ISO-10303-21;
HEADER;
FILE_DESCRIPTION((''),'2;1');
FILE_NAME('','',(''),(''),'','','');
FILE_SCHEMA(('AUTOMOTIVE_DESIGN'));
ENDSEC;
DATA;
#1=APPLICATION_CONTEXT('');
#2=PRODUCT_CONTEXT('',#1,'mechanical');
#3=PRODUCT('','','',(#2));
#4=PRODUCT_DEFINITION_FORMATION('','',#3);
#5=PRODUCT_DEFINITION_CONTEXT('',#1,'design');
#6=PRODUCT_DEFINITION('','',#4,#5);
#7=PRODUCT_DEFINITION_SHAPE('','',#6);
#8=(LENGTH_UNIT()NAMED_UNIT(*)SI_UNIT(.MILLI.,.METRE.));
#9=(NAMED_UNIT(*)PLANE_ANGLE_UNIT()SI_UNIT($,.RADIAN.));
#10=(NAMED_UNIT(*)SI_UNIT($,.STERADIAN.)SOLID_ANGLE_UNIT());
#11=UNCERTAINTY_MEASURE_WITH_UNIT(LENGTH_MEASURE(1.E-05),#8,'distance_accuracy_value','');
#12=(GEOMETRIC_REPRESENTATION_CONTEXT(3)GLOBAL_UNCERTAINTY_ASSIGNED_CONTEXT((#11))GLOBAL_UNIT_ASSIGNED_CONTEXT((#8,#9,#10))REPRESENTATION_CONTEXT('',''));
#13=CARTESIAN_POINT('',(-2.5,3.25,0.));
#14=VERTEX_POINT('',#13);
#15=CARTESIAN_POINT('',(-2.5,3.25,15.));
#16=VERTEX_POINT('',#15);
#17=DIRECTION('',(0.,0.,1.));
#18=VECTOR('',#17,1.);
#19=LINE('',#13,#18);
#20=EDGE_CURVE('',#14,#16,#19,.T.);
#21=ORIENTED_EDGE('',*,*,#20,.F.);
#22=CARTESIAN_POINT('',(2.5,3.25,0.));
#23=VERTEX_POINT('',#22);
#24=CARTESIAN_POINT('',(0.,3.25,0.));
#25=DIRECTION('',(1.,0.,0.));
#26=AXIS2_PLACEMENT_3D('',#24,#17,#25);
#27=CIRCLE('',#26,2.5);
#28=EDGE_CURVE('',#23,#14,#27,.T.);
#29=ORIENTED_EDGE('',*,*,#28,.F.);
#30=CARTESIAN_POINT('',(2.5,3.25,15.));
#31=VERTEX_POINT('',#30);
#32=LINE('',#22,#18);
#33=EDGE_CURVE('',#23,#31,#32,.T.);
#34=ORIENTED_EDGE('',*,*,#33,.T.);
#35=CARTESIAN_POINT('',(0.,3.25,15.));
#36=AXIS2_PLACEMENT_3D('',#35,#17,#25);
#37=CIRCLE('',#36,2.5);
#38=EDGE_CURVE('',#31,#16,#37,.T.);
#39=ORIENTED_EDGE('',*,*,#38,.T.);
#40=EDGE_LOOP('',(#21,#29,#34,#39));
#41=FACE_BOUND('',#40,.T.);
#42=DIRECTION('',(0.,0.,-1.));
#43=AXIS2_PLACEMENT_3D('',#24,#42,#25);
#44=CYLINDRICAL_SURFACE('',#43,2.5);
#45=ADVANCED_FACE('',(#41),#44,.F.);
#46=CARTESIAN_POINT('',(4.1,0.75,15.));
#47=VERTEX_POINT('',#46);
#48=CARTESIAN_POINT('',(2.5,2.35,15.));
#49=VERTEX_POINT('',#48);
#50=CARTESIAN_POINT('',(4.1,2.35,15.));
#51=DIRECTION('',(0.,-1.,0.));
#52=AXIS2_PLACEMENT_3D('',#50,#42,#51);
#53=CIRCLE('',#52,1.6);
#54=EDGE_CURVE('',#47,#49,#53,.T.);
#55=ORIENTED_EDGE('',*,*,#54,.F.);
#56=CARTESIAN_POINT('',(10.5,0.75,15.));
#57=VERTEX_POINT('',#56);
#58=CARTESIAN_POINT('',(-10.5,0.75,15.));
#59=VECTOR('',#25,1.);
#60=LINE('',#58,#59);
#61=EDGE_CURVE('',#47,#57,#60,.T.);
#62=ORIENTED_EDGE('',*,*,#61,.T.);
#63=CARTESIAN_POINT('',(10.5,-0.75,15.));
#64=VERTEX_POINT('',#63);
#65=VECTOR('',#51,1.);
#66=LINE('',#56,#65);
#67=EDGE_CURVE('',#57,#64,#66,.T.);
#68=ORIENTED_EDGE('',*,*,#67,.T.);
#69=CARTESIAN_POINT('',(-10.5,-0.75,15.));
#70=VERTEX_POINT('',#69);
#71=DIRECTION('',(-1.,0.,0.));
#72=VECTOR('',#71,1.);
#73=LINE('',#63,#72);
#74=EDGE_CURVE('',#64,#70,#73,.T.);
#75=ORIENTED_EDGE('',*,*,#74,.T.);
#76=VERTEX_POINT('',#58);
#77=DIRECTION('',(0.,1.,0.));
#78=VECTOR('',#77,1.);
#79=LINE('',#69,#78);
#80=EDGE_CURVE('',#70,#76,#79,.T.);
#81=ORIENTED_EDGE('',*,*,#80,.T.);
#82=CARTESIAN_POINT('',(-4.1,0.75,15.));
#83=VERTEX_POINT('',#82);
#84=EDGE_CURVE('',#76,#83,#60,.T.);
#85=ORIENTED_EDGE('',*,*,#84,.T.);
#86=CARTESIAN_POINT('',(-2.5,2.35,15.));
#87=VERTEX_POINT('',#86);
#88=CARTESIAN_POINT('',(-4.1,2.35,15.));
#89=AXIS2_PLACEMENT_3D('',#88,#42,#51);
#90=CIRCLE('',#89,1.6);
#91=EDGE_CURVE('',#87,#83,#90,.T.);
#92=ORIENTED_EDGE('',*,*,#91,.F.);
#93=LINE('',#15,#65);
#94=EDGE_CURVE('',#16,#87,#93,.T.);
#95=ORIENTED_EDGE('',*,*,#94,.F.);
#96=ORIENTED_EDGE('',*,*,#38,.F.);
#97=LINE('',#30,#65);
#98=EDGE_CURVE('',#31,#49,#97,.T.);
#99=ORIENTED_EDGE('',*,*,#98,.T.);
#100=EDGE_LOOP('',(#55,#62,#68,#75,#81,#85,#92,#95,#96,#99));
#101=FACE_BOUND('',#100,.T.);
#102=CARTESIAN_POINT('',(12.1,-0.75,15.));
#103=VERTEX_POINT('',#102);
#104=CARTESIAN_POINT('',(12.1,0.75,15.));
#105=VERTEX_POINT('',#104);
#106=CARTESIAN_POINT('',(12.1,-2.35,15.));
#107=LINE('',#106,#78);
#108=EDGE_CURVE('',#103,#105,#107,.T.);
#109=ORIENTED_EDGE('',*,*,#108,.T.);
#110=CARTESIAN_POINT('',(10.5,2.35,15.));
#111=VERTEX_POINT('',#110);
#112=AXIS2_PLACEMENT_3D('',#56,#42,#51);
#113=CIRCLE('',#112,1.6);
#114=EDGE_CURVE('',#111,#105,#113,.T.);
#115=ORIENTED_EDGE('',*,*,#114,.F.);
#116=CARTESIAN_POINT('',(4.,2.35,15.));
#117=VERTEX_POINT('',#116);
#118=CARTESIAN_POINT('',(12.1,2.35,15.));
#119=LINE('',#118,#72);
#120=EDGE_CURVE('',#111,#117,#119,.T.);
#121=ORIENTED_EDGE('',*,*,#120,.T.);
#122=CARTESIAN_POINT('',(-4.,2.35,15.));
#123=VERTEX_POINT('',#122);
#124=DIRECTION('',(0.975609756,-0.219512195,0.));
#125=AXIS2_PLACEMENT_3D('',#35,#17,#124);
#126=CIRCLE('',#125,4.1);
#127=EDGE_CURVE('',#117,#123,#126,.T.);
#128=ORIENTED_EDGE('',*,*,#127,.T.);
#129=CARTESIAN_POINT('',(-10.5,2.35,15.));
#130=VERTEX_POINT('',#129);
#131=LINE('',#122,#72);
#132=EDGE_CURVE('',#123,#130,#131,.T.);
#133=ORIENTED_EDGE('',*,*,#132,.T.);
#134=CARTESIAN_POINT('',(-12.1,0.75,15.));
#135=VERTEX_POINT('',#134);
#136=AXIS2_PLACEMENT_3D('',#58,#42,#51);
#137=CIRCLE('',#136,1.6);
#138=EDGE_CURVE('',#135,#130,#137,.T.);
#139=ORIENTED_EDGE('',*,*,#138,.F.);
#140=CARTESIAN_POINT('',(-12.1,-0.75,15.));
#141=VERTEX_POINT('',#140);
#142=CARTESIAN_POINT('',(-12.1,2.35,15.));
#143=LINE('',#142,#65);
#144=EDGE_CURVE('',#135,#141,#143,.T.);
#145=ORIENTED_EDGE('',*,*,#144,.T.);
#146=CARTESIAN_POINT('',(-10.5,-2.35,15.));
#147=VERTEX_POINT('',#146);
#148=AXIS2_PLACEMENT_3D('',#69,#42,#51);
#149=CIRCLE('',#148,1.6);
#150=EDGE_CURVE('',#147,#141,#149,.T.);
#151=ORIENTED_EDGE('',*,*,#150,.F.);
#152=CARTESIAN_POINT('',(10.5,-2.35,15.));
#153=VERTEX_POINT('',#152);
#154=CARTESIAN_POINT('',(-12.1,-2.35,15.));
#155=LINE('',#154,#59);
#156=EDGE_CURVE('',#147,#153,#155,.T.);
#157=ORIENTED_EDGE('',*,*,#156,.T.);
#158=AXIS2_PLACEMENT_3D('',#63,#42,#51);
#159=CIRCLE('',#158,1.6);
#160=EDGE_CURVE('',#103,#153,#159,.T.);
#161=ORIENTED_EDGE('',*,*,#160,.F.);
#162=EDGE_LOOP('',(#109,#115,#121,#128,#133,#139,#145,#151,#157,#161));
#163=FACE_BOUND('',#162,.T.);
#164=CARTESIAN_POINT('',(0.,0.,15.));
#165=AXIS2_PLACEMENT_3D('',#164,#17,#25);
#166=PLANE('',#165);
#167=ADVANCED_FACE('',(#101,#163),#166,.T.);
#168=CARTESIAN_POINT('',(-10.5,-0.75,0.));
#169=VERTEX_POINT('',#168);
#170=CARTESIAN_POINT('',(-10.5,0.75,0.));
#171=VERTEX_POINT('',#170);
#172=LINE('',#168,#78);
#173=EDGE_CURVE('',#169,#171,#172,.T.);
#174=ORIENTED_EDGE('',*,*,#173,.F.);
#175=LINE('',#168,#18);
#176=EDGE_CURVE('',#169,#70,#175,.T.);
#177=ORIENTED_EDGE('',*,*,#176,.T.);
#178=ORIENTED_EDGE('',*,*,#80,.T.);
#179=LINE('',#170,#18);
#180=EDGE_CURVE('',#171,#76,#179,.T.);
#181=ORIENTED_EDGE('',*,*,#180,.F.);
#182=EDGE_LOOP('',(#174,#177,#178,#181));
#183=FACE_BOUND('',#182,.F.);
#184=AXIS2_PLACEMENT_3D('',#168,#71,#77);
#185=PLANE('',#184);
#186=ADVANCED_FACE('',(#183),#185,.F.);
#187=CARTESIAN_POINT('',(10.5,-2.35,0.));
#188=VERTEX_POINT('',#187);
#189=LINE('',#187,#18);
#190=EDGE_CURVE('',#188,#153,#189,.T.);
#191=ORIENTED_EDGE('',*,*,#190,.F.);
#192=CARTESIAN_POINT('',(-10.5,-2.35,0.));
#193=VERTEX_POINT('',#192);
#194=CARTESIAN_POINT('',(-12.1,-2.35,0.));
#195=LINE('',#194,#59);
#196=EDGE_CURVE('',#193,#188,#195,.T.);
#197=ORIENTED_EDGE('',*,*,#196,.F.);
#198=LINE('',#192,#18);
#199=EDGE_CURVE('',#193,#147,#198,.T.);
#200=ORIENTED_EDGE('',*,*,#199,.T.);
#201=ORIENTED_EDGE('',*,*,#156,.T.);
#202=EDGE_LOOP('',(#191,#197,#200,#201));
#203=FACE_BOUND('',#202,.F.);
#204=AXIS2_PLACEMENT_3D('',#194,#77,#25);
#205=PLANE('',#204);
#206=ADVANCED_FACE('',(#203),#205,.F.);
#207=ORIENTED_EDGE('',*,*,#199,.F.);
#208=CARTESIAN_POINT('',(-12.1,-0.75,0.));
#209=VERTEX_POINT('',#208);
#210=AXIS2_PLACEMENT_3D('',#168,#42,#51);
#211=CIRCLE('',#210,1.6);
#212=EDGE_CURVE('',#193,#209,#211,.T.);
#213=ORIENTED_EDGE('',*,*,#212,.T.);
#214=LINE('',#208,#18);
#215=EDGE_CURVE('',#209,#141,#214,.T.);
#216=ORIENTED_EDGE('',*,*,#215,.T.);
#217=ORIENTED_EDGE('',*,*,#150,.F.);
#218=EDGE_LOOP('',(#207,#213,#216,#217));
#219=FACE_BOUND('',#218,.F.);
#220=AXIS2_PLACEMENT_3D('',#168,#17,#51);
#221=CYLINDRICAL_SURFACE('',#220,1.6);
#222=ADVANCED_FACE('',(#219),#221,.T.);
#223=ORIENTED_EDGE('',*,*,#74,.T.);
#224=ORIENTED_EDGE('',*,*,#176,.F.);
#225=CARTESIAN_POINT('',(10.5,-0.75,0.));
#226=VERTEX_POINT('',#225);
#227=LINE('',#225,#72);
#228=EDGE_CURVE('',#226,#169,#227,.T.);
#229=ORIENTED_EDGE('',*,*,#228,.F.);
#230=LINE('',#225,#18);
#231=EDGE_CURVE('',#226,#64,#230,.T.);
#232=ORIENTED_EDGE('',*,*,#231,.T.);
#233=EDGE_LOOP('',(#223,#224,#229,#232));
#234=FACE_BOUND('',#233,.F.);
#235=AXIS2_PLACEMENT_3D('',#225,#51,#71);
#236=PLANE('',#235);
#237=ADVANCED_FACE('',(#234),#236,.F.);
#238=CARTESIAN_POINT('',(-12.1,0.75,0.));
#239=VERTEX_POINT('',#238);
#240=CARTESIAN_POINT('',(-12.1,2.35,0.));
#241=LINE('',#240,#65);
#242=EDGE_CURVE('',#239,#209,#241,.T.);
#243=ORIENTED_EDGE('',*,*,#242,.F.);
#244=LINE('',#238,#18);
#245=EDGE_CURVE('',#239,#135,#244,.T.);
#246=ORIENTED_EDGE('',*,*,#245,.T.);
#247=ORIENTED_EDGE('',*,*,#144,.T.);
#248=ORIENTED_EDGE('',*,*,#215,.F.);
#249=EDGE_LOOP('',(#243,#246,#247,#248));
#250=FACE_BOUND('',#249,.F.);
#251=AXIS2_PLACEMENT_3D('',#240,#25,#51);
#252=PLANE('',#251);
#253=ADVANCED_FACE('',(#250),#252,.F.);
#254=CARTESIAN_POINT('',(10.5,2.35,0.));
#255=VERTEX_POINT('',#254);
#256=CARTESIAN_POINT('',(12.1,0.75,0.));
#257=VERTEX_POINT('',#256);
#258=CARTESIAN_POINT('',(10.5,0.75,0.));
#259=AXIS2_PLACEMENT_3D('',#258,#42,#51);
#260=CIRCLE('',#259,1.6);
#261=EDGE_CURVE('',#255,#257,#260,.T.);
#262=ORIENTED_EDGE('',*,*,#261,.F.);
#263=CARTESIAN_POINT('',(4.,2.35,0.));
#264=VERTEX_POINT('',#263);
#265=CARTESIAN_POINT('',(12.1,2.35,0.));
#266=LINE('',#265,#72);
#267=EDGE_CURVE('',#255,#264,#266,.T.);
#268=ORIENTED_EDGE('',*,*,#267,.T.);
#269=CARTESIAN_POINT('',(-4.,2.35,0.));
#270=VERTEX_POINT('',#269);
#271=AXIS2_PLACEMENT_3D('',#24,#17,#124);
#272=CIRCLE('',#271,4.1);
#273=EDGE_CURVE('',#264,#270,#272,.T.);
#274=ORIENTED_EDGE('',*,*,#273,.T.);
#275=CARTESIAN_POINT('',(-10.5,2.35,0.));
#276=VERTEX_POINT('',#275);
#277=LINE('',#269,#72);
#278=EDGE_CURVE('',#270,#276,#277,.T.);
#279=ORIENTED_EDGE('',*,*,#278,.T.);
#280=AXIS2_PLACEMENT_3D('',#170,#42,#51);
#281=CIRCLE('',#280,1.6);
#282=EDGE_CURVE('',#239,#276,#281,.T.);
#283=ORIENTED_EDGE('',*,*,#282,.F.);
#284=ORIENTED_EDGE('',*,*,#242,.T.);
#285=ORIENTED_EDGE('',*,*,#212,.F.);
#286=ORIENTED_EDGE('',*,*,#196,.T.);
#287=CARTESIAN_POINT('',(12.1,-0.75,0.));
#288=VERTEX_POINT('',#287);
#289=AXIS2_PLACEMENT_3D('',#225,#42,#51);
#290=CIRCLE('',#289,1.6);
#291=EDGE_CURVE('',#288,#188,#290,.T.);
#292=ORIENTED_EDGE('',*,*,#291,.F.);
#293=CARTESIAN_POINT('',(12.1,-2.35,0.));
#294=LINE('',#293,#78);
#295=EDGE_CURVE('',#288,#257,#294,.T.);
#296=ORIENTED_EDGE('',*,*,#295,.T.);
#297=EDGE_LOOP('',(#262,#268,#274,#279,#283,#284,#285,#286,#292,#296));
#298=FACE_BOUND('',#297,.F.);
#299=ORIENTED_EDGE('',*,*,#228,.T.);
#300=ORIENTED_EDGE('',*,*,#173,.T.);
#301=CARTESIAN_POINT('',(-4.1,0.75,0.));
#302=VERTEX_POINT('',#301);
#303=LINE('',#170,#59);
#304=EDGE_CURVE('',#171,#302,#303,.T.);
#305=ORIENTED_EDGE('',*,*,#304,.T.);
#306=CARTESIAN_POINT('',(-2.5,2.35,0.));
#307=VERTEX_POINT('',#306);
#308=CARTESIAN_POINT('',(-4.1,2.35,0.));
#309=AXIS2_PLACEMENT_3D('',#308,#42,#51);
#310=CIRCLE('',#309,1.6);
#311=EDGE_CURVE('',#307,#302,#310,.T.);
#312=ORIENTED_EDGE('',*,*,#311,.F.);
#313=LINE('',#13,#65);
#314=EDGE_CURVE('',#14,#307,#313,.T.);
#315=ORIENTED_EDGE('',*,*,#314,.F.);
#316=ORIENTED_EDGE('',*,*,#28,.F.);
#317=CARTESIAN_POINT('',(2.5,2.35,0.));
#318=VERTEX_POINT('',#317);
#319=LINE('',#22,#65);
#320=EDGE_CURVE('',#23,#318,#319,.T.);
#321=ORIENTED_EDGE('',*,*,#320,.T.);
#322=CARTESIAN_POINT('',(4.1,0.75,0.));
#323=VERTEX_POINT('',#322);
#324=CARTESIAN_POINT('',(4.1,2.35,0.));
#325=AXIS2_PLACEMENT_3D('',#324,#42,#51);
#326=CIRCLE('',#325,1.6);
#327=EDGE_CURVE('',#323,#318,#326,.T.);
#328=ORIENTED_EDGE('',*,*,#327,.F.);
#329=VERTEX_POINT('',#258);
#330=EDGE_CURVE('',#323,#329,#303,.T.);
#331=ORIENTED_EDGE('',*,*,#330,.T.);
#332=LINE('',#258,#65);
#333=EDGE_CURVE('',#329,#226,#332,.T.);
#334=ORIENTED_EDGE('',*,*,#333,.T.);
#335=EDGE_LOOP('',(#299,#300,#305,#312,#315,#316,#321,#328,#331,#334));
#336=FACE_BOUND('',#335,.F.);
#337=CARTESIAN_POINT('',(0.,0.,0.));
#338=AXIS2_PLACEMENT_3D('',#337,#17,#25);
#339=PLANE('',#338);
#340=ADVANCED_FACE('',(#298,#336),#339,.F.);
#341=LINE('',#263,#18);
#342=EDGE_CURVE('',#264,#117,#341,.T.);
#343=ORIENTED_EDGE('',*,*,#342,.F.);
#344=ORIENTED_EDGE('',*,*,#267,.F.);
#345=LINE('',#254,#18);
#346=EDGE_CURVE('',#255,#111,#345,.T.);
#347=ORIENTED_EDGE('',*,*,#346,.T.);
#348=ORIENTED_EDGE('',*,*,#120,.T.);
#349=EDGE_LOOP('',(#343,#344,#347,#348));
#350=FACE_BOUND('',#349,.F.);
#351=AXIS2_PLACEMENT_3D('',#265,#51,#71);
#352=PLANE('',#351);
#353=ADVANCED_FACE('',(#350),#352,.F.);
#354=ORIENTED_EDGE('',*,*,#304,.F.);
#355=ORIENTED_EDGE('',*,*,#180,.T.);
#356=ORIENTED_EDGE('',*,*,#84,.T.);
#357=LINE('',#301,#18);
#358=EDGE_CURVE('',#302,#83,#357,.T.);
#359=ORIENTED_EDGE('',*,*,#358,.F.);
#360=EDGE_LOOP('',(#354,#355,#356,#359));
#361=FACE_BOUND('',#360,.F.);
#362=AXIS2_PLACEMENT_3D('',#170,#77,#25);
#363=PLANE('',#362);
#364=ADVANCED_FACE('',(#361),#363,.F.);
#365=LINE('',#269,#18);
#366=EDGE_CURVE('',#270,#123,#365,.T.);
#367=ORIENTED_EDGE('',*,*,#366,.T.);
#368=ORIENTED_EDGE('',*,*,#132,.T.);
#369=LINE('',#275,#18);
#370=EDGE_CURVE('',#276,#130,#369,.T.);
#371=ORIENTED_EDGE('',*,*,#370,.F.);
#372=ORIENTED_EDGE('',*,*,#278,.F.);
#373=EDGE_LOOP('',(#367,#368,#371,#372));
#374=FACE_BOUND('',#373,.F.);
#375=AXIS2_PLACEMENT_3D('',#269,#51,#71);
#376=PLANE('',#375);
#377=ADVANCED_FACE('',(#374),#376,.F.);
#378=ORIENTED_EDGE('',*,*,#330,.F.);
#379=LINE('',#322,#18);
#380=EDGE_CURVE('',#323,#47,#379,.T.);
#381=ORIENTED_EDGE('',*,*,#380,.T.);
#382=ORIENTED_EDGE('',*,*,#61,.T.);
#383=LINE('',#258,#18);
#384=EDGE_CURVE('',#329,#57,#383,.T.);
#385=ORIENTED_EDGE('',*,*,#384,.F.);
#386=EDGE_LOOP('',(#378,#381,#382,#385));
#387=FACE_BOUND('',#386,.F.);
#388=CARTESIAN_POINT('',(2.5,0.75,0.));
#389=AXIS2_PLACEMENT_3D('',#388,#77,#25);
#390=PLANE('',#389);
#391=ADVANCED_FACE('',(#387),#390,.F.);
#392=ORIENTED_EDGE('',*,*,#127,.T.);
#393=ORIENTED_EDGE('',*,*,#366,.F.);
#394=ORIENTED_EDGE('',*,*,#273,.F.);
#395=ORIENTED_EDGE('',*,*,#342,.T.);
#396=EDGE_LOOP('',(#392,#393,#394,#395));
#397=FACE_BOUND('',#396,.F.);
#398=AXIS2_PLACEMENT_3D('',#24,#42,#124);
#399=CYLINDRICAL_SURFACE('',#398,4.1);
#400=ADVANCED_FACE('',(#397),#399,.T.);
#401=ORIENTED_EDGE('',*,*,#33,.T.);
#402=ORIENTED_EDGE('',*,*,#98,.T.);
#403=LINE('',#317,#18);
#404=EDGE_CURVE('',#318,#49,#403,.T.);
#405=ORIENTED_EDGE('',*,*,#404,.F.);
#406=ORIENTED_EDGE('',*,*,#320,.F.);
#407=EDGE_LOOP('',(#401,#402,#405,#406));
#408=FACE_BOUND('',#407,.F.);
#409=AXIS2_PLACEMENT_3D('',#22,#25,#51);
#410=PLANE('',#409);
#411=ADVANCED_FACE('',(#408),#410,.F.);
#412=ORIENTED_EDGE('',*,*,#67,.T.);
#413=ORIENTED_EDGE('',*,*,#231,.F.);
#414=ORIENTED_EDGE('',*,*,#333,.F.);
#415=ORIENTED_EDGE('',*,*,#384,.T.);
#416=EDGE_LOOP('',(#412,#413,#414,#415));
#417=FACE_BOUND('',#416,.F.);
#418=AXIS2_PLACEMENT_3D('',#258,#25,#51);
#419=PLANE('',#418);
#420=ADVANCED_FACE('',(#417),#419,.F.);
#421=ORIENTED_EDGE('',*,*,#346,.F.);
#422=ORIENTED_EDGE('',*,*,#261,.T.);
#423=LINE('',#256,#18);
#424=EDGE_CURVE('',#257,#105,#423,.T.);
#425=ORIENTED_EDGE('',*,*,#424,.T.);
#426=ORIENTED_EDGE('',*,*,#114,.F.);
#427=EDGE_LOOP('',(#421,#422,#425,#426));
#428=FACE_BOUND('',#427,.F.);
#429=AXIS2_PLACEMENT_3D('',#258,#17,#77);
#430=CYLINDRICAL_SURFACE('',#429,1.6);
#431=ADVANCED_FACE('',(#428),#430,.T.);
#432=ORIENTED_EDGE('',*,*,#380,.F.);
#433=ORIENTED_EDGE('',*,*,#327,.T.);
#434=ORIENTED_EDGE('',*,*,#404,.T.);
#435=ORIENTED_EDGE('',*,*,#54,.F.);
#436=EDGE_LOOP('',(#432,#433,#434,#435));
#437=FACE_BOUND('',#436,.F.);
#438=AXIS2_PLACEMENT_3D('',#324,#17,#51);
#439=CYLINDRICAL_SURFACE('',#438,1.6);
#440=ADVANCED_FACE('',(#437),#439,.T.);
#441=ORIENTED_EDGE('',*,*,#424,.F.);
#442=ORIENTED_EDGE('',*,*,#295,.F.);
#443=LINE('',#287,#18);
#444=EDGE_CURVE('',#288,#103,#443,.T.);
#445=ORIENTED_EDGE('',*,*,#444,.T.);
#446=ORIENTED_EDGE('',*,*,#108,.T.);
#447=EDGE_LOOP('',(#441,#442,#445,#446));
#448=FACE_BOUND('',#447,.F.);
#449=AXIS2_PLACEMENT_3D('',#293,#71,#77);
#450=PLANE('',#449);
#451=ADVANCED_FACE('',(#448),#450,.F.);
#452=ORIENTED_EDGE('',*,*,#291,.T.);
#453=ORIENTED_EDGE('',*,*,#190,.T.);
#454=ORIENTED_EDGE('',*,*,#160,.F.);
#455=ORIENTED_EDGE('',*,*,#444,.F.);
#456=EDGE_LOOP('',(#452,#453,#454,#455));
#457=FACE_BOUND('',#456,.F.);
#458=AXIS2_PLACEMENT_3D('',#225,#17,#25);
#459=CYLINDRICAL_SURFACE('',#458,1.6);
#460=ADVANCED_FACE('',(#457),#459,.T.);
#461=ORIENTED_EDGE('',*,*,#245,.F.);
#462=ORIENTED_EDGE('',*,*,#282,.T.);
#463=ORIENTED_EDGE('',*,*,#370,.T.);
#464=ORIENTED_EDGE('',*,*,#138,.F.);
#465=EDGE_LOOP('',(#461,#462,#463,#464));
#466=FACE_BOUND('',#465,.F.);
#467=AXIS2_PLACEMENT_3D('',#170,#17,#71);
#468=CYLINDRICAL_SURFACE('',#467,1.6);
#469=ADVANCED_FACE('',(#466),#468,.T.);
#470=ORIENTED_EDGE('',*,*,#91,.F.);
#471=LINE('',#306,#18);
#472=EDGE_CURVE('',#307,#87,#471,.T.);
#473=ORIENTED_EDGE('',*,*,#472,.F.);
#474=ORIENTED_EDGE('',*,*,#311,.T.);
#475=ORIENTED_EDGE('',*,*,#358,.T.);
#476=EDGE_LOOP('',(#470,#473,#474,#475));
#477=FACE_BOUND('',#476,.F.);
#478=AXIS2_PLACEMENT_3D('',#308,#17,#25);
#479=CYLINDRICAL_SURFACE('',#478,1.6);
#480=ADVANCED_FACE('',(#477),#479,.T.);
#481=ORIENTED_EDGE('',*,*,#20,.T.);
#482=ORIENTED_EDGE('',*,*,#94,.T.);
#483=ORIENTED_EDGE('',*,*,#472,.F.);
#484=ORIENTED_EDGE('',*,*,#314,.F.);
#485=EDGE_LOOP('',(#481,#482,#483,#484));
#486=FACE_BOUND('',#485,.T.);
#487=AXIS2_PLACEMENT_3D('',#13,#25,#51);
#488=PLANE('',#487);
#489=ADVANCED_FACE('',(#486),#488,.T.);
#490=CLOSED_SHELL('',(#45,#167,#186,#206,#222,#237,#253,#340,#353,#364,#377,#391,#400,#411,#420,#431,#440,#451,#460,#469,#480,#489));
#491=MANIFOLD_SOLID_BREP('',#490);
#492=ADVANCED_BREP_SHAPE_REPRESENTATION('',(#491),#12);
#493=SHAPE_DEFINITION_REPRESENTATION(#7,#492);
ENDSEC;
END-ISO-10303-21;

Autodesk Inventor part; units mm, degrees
ref_plane "YZ Plane" through (0, 0, 0) normal (1, 0, 0) x (0, 1, 0)
ref_plane "XZ Plane" through (0, 0, 0) normal (0, 1, 0) x (-1, 0, 0)
ref_plane "XY Plane" through (0, 0, 0) normal (0, 0, 1) x (1, 0, 0)
sketch "Sketch1" plane through (0, 0, 0) normal (0, 0, 1) x (1, 0, 0)
  line L0 (-10.5, 0.75) -> (10.5, 0.75)
  line L1 (10.5, 0.75) -> (10.5, -0.75)
  line L2 (10.5, -0.75) -> (-10.5, -0.75)
  line L3 (-10.5, -0.75) -> (-10.5, 0.75)
  circle A0 centre (0, 3.25) radius 2.5
  arc A1 (4, 2.35) -> (-4, 2.35) centre (0, 3.25) ccw
  line L4 (-12.1, 2.35) -> (-12.1, -2.35)
  line L5 (-12.1, -2.35) -> (12.1, -2.35)
  line L6 (12.1, -2.35) -> (12.1, 2.35)
  line L7 (12.1, 2.35) -> (4, 2.35)
  line L8 (-4, 2.35) -> (-12.1, 2.35)
  line L9 (-2.5, 3.25) -> (-2.5, 0.75)
  line L10 (2.5, 3.25) -> (2.5, 0.75)
  point P0 (0, 0)
  point P1 (-10.5, 0)
  point P2 (10.5, 0)
  point P3 (0, 0.75)
  dimension "d0" = 1.5
  dimension "d2" = 21
  dimension "d3" = 5
  dimension "d4" = 1.6
  dimension "d5" = 1.6
  dimension "d6" = 1.6
  dimension "d7" = 1.6
extrude "Extrusion1" add sketch "Sketch1" along normal blind 15
fillet "Fillet1" radius 1.6 6 edges at (-2.5, 0.75, 7.5) (2.5, 0.75, 7.5) (12.1, -2.35, 7.5) (12.1, 2.35, 7.5) (-12.1, -2.35, 7.5) (-12.1, 2.35, 7.5)
properties part number "ribbon cable management"
